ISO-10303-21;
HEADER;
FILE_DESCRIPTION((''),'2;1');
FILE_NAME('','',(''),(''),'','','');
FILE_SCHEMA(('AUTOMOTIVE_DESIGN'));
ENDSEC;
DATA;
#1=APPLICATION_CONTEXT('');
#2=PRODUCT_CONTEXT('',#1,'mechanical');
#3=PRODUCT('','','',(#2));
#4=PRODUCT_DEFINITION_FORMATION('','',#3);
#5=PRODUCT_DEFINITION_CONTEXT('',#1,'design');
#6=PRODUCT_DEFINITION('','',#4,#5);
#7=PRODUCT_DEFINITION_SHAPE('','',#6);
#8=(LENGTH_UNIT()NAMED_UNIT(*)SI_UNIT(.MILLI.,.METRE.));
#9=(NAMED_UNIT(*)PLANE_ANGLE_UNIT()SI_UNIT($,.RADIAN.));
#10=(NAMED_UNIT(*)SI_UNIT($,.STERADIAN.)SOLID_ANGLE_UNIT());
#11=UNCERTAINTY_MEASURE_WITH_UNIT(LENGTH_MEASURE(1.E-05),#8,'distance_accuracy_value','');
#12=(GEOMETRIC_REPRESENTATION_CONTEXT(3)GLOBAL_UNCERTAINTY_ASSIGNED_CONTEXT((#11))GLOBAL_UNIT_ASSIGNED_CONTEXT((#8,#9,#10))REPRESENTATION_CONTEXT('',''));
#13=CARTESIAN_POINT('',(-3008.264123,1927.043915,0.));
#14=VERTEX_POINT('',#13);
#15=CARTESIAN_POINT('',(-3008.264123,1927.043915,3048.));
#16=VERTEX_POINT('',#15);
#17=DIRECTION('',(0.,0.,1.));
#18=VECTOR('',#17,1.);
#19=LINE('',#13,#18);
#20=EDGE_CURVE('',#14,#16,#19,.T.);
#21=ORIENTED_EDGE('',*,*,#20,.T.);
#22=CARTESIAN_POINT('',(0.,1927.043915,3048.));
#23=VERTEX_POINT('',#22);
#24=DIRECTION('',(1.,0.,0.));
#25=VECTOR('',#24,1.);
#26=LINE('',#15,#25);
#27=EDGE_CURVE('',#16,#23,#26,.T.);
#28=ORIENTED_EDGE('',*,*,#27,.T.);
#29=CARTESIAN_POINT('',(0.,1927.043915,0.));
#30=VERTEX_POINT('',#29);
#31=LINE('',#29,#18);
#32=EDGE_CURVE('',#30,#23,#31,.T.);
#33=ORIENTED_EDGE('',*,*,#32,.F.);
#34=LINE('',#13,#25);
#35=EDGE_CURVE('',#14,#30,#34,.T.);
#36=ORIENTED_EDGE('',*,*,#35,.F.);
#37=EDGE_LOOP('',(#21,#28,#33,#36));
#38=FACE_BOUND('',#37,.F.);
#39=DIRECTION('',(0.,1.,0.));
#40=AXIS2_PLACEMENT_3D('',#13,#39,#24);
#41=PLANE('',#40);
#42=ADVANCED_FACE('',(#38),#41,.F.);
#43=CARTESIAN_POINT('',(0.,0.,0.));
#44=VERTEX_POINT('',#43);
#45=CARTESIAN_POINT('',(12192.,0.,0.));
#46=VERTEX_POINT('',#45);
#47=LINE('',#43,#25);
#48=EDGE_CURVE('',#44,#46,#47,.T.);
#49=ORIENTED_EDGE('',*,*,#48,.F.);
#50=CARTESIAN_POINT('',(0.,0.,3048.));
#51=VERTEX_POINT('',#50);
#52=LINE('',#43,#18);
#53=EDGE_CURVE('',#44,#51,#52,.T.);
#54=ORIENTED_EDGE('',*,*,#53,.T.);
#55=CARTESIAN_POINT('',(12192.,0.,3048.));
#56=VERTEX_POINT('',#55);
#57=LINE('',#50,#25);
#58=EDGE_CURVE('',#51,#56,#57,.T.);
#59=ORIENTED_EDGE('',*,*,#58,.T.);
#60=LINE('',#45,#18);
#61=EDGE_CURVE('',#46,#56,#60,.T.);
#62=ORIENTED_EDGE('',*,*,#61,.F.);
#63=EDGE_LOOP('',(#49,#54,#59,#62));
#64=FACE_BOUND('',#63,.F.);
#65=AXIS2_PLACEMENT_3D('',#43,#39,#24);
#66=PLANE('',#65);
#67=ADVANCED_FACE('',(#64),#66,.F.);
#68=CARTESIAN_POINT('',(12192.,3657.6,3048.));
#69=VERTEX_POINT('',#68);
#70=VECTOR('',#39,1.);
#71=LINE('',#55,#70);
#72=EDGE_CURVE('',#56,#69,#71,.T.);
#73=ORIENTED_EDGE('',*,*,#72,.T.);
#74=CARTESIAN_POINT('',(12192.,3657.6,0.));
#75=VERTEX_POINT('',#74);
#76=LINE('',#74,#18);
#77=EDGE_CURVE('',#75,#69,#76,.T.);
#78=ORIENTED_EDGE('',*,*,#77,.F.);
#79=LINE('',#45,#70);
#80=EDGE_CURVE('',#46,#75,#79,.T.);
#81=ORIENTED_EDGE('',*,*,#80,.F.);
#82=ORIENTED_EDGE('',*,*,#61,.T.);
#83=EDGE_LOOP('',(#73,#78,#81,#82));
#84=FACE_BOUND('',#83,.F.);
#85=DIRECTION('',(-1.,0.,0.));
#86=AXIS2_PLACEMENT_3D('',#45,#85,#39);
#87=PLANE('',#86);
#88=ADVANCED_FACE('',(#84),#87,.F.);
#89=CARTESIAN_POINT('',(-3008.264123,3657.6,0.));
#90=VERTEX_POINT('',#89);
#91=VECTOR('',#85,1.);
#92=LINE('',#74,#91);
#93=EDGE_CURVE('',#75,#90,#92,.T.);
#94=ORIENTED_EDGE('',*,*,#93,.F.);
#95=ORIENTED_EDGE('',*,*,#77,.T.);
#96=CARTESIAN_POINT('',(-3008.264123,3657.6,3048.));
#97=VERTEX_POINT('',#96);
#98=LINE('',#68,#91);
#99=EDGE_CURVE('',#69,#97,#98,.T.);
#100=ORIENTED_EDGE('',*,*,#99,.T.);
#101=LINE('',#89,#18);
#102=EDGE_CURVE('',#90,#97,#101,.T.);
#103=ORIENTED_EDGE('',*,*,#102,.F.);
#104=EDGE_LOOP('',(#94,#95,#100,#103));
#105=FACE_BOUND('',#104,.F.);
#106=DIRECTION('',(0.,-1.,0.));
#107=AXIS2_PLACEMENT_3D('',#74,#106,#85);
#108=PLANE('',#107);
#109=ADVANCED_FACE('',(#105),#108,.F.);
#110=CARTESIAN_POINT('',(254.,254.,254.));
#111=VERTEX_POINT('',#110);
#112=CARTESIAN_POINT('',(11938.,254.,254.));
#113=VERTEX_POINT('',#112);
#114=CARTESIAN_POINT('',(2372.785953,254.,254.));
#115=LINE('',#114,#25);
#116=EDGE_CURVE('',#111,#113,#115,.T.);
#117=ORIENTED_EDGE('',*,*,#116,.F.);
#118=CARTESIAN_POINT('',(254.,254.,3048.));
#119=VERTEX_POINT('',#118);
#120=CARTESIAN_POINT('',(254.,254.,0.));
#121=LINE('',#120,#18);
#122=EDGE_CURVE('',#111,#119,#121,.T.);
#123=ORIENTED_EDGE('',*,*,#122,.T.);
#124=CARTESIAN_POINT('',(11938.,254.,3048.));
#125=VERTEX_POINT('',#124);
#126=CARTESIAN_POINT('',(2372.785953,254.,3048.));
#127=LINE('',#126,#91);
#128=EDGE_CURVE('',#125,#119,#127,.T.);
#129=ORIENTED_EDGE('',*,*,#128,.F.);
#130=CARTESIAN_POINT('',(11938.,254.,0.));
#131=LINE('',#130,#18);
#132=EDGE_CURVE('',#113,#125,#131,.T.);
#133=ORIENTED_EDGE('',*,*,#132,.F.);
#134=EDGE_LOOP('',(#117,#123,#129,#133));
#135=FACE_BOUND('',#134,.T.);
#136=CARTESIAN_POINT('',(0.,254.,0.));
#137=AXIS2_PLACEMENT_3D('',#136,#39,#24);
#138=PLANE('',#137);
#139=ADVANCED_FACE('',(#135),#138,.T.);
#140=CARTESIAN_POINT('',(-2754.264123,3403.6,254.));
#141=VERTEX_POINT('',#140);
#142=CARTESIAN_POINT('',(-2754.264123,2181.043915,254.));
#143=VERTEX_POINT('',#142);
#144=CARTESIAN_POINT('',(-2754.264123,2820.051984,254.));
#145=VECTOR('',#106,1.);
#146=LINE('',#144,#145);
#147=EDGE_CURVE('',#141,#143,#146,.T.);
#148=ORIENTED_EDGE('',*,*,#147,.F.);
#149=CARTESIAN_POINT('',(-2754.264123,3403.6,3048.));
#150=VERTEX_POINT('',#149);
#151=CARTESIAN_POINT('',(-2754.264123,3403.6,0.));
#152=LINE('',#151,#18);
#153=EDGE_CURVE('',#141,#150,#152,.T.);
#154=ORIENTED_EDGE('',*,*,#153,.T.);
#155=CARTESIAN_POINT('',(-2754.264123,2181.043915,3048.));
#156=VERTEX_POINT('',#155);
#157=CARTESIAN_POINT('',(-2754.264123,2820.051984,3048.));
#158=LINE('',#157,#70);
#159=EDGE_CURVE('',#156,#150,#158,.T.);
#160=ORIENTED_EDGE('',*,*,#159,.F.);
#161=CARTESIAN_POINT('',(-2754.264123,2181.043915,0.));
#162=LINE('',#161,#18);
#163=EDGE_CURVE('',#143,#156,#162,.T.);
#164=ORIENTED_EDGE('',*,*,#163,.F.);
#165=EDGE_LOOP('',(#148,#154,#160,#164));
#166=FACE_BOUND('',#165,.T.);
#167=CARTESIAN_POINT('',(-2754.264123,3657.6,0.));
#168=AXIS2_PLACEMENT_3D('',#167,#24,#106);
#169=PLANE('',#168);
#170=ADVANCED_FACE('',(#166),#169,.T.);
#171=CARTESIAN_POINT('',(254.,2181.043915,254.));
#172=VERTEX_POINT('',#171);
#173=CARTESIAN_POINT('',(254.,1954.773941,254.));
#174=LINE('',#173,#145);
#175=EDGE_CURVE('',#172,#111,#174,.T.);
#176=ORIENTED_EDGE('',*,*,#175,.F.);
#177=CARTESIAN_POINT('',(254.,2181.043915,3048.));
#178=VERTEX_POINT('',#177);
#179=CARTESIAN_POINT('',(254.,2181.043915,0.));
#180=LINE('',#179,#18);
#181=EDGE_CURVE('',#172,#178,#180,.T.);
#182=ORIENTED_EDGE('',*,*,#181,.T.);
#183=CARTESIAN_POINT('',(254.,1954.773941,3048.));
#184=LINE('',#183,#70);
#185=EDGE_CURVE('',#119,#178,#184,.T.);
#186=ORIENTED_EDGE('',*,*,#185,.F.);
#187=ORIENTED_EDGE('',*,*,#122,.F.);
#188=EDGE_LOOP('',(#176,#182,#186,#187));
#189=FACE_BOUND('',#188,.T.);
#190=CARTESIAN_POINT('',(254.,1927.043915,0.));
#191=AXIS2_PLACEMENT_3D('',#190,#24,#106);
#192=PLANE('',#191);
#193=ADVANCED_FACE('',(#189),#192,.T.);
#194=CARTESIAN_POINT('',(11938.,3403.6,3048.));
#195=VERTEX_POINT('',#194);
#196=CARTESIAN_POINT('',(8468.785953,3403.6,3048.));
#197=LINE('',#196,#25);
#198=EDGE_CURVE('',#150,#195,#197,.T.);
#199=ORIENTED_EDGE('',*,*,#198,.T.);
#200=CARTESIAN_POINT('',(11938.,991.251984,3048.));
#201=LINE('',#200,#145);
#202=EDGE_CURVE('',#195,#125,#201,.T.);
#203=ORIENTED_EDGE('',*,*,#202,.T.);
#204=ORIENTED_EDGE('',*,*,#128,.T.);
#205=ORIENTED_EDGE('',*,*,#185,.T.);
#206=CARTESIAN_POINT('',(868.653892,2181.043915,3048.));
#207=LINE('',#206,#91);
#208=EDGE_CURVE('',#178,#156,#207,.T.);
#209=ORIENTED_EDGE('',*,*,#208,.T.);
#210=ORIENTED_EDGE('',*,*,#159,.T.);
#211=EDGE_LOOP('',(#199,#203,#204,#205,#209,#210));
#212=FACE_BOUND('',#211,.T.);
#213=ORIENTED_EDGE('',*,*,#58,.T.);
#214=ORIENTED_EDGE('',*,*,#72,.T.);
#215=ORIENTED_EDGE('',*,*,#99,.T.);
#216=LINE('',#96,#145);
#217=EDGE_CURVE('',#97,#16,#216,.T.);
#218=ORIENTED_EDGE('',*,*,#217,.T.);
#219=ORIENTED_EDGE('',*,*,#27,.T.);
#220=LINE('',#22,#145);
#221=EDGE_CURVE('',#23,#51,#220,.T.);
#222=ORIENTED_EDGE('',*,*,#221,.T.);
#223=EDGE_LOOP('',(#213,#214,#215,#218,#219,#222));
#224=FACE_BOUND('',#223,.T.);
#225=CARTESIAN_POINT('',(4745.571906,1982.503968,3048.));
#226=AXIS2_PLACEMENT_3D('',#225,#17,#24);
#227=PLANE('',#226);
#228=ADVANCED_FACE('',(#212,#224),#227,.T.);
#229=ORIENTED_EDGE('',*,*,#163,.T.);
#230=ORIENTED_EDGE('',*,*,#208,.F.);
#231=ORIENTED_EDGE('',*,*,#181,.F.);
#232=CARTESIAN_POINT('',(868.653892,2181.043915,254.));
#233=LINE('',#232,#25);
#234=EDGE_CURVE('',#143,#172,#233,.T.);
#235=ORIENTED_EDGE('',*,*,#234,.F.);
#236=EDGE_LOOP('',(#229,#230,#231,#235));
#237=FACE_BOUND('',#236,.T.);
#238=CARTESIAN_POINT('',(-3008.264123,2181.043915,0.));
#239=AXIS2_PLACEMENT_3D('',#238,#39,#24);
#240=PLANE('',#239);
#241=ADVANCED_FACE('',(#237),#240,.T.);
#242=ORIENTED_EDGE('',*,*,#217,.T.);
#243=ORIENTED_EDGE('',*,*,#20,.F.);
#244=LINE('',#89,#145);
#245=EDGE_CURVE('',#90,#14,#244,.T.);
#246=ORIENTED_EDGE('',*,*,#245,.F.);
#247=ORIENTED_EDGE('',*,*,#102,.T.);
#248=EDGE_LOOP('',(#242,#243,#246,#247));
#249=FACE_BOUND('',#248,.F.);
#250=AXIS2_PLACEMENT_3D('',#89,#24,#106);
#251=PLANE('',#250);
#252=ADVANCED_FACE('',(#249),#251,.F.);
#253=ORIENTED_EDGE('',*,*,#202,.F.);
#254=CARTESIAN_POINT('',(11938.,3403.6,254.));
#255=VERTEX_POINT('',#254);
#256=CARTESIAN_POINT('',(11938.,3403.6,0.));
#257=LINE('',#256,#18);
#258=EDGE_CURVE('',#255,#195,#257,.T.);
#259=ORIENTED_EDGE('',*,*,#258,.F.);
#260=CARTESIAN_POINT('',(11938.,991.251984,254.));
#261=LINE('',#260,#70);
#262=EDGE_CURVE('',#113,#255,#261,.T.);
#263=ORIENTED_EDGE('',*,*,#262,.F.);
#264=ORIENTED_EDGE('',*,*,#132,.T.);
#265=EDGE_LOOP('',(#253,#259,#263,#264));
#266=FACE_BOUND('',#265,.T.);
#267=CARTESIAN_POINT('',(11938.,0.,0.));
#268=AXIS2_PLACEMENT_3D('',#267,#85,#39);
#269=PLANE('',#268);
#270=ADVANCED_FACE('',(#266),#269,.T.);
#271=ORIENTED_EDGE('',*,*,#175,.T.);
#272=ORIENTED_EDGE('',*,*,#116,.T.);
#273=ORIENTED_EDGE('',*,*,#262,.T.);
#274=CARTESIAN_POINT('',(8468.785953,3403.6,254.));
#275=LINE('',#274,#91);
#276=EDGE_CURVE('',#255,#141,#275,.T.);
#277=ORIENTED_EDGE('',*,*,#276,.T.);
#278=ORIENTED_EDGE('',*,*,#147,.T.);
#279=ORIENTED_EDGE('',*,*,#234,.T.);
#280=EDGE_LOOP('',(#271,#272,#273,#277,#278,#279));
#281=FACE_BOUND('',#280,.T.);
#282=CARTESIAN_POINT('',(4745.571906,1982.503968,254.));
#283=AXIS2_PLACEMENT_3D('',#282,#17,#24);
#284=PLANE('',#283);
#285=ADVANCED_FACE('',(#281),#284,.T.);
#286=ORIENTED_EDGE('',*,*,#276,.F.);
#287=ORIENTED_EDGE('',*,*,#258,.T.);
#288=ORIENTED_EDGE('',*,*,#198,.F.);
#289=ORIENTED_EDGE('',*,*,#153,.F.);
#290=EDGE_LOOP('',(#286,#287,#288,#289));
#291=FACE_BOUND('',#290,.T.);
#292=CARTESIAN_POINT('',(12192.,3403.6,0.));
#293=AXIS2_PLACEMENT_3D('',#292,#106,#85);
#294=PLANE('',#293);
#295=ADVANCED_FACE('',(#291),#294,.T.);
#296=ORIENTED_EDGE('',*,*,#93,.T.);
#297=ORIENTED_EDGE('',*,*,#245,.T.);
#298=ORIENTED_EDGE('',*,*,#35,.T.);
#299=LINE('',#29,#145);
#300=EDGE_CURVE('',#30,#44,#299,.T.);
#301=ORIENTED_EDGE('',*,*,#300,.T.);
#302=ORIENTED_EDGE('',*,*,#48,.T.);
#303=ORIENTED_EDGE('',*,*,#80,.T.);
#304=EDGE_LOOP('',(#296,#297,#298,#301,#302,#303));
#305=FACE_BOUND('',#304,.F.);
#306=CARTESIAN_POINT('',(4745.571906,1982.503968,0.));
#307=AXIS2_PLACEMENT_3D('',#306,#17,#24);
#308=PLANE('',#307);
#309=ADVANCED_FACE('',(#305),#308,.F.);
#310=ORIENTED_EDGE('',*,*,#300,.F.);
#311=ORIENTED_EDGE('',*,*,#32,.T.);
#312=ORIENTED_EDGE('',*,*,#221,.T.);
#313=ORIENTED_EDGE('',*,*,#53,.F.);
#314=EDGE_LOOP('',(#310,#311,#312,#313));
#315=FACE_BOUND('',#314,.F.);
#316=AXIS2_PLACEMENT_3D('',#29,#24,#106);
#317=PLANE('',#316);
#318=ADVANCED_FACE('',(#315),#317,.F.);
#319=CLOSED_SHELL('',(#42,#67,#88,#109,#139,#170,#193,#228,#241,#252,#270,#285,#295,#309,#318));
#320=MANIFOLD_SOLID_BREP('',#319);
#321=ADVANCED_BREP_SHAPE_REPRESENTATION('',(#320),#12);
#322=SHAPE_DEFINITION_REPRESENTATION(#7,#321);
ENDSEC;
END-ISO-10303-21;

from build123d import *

# Parameters (mm, degrees)
F1_DEPTH = 3048
F2_T     = -254


with BuildPart() as f1:
    # F0 (on Top) → F1 (new body)
    with BuildSketch(Plane.XY):
        Polygon((0, 1927.0439147949), (0, 0), (12192, 0), (12192, 3657.6), (-3008.2641230267, 3657.6), (-3008.2641230267, 1927.0439147949), align=None)
    extrude(amount=F1_DEPTH)

    # F2
    f2_openings = [f1.faces().sort_by_distance(p)[0] for p in [
        (5301.491736, 1929.525376, 3048),
    ]]
    offset(amount=F2_T, openings=f2_openings, kind=Kind.INTERSECTION)


solid = f1.part
